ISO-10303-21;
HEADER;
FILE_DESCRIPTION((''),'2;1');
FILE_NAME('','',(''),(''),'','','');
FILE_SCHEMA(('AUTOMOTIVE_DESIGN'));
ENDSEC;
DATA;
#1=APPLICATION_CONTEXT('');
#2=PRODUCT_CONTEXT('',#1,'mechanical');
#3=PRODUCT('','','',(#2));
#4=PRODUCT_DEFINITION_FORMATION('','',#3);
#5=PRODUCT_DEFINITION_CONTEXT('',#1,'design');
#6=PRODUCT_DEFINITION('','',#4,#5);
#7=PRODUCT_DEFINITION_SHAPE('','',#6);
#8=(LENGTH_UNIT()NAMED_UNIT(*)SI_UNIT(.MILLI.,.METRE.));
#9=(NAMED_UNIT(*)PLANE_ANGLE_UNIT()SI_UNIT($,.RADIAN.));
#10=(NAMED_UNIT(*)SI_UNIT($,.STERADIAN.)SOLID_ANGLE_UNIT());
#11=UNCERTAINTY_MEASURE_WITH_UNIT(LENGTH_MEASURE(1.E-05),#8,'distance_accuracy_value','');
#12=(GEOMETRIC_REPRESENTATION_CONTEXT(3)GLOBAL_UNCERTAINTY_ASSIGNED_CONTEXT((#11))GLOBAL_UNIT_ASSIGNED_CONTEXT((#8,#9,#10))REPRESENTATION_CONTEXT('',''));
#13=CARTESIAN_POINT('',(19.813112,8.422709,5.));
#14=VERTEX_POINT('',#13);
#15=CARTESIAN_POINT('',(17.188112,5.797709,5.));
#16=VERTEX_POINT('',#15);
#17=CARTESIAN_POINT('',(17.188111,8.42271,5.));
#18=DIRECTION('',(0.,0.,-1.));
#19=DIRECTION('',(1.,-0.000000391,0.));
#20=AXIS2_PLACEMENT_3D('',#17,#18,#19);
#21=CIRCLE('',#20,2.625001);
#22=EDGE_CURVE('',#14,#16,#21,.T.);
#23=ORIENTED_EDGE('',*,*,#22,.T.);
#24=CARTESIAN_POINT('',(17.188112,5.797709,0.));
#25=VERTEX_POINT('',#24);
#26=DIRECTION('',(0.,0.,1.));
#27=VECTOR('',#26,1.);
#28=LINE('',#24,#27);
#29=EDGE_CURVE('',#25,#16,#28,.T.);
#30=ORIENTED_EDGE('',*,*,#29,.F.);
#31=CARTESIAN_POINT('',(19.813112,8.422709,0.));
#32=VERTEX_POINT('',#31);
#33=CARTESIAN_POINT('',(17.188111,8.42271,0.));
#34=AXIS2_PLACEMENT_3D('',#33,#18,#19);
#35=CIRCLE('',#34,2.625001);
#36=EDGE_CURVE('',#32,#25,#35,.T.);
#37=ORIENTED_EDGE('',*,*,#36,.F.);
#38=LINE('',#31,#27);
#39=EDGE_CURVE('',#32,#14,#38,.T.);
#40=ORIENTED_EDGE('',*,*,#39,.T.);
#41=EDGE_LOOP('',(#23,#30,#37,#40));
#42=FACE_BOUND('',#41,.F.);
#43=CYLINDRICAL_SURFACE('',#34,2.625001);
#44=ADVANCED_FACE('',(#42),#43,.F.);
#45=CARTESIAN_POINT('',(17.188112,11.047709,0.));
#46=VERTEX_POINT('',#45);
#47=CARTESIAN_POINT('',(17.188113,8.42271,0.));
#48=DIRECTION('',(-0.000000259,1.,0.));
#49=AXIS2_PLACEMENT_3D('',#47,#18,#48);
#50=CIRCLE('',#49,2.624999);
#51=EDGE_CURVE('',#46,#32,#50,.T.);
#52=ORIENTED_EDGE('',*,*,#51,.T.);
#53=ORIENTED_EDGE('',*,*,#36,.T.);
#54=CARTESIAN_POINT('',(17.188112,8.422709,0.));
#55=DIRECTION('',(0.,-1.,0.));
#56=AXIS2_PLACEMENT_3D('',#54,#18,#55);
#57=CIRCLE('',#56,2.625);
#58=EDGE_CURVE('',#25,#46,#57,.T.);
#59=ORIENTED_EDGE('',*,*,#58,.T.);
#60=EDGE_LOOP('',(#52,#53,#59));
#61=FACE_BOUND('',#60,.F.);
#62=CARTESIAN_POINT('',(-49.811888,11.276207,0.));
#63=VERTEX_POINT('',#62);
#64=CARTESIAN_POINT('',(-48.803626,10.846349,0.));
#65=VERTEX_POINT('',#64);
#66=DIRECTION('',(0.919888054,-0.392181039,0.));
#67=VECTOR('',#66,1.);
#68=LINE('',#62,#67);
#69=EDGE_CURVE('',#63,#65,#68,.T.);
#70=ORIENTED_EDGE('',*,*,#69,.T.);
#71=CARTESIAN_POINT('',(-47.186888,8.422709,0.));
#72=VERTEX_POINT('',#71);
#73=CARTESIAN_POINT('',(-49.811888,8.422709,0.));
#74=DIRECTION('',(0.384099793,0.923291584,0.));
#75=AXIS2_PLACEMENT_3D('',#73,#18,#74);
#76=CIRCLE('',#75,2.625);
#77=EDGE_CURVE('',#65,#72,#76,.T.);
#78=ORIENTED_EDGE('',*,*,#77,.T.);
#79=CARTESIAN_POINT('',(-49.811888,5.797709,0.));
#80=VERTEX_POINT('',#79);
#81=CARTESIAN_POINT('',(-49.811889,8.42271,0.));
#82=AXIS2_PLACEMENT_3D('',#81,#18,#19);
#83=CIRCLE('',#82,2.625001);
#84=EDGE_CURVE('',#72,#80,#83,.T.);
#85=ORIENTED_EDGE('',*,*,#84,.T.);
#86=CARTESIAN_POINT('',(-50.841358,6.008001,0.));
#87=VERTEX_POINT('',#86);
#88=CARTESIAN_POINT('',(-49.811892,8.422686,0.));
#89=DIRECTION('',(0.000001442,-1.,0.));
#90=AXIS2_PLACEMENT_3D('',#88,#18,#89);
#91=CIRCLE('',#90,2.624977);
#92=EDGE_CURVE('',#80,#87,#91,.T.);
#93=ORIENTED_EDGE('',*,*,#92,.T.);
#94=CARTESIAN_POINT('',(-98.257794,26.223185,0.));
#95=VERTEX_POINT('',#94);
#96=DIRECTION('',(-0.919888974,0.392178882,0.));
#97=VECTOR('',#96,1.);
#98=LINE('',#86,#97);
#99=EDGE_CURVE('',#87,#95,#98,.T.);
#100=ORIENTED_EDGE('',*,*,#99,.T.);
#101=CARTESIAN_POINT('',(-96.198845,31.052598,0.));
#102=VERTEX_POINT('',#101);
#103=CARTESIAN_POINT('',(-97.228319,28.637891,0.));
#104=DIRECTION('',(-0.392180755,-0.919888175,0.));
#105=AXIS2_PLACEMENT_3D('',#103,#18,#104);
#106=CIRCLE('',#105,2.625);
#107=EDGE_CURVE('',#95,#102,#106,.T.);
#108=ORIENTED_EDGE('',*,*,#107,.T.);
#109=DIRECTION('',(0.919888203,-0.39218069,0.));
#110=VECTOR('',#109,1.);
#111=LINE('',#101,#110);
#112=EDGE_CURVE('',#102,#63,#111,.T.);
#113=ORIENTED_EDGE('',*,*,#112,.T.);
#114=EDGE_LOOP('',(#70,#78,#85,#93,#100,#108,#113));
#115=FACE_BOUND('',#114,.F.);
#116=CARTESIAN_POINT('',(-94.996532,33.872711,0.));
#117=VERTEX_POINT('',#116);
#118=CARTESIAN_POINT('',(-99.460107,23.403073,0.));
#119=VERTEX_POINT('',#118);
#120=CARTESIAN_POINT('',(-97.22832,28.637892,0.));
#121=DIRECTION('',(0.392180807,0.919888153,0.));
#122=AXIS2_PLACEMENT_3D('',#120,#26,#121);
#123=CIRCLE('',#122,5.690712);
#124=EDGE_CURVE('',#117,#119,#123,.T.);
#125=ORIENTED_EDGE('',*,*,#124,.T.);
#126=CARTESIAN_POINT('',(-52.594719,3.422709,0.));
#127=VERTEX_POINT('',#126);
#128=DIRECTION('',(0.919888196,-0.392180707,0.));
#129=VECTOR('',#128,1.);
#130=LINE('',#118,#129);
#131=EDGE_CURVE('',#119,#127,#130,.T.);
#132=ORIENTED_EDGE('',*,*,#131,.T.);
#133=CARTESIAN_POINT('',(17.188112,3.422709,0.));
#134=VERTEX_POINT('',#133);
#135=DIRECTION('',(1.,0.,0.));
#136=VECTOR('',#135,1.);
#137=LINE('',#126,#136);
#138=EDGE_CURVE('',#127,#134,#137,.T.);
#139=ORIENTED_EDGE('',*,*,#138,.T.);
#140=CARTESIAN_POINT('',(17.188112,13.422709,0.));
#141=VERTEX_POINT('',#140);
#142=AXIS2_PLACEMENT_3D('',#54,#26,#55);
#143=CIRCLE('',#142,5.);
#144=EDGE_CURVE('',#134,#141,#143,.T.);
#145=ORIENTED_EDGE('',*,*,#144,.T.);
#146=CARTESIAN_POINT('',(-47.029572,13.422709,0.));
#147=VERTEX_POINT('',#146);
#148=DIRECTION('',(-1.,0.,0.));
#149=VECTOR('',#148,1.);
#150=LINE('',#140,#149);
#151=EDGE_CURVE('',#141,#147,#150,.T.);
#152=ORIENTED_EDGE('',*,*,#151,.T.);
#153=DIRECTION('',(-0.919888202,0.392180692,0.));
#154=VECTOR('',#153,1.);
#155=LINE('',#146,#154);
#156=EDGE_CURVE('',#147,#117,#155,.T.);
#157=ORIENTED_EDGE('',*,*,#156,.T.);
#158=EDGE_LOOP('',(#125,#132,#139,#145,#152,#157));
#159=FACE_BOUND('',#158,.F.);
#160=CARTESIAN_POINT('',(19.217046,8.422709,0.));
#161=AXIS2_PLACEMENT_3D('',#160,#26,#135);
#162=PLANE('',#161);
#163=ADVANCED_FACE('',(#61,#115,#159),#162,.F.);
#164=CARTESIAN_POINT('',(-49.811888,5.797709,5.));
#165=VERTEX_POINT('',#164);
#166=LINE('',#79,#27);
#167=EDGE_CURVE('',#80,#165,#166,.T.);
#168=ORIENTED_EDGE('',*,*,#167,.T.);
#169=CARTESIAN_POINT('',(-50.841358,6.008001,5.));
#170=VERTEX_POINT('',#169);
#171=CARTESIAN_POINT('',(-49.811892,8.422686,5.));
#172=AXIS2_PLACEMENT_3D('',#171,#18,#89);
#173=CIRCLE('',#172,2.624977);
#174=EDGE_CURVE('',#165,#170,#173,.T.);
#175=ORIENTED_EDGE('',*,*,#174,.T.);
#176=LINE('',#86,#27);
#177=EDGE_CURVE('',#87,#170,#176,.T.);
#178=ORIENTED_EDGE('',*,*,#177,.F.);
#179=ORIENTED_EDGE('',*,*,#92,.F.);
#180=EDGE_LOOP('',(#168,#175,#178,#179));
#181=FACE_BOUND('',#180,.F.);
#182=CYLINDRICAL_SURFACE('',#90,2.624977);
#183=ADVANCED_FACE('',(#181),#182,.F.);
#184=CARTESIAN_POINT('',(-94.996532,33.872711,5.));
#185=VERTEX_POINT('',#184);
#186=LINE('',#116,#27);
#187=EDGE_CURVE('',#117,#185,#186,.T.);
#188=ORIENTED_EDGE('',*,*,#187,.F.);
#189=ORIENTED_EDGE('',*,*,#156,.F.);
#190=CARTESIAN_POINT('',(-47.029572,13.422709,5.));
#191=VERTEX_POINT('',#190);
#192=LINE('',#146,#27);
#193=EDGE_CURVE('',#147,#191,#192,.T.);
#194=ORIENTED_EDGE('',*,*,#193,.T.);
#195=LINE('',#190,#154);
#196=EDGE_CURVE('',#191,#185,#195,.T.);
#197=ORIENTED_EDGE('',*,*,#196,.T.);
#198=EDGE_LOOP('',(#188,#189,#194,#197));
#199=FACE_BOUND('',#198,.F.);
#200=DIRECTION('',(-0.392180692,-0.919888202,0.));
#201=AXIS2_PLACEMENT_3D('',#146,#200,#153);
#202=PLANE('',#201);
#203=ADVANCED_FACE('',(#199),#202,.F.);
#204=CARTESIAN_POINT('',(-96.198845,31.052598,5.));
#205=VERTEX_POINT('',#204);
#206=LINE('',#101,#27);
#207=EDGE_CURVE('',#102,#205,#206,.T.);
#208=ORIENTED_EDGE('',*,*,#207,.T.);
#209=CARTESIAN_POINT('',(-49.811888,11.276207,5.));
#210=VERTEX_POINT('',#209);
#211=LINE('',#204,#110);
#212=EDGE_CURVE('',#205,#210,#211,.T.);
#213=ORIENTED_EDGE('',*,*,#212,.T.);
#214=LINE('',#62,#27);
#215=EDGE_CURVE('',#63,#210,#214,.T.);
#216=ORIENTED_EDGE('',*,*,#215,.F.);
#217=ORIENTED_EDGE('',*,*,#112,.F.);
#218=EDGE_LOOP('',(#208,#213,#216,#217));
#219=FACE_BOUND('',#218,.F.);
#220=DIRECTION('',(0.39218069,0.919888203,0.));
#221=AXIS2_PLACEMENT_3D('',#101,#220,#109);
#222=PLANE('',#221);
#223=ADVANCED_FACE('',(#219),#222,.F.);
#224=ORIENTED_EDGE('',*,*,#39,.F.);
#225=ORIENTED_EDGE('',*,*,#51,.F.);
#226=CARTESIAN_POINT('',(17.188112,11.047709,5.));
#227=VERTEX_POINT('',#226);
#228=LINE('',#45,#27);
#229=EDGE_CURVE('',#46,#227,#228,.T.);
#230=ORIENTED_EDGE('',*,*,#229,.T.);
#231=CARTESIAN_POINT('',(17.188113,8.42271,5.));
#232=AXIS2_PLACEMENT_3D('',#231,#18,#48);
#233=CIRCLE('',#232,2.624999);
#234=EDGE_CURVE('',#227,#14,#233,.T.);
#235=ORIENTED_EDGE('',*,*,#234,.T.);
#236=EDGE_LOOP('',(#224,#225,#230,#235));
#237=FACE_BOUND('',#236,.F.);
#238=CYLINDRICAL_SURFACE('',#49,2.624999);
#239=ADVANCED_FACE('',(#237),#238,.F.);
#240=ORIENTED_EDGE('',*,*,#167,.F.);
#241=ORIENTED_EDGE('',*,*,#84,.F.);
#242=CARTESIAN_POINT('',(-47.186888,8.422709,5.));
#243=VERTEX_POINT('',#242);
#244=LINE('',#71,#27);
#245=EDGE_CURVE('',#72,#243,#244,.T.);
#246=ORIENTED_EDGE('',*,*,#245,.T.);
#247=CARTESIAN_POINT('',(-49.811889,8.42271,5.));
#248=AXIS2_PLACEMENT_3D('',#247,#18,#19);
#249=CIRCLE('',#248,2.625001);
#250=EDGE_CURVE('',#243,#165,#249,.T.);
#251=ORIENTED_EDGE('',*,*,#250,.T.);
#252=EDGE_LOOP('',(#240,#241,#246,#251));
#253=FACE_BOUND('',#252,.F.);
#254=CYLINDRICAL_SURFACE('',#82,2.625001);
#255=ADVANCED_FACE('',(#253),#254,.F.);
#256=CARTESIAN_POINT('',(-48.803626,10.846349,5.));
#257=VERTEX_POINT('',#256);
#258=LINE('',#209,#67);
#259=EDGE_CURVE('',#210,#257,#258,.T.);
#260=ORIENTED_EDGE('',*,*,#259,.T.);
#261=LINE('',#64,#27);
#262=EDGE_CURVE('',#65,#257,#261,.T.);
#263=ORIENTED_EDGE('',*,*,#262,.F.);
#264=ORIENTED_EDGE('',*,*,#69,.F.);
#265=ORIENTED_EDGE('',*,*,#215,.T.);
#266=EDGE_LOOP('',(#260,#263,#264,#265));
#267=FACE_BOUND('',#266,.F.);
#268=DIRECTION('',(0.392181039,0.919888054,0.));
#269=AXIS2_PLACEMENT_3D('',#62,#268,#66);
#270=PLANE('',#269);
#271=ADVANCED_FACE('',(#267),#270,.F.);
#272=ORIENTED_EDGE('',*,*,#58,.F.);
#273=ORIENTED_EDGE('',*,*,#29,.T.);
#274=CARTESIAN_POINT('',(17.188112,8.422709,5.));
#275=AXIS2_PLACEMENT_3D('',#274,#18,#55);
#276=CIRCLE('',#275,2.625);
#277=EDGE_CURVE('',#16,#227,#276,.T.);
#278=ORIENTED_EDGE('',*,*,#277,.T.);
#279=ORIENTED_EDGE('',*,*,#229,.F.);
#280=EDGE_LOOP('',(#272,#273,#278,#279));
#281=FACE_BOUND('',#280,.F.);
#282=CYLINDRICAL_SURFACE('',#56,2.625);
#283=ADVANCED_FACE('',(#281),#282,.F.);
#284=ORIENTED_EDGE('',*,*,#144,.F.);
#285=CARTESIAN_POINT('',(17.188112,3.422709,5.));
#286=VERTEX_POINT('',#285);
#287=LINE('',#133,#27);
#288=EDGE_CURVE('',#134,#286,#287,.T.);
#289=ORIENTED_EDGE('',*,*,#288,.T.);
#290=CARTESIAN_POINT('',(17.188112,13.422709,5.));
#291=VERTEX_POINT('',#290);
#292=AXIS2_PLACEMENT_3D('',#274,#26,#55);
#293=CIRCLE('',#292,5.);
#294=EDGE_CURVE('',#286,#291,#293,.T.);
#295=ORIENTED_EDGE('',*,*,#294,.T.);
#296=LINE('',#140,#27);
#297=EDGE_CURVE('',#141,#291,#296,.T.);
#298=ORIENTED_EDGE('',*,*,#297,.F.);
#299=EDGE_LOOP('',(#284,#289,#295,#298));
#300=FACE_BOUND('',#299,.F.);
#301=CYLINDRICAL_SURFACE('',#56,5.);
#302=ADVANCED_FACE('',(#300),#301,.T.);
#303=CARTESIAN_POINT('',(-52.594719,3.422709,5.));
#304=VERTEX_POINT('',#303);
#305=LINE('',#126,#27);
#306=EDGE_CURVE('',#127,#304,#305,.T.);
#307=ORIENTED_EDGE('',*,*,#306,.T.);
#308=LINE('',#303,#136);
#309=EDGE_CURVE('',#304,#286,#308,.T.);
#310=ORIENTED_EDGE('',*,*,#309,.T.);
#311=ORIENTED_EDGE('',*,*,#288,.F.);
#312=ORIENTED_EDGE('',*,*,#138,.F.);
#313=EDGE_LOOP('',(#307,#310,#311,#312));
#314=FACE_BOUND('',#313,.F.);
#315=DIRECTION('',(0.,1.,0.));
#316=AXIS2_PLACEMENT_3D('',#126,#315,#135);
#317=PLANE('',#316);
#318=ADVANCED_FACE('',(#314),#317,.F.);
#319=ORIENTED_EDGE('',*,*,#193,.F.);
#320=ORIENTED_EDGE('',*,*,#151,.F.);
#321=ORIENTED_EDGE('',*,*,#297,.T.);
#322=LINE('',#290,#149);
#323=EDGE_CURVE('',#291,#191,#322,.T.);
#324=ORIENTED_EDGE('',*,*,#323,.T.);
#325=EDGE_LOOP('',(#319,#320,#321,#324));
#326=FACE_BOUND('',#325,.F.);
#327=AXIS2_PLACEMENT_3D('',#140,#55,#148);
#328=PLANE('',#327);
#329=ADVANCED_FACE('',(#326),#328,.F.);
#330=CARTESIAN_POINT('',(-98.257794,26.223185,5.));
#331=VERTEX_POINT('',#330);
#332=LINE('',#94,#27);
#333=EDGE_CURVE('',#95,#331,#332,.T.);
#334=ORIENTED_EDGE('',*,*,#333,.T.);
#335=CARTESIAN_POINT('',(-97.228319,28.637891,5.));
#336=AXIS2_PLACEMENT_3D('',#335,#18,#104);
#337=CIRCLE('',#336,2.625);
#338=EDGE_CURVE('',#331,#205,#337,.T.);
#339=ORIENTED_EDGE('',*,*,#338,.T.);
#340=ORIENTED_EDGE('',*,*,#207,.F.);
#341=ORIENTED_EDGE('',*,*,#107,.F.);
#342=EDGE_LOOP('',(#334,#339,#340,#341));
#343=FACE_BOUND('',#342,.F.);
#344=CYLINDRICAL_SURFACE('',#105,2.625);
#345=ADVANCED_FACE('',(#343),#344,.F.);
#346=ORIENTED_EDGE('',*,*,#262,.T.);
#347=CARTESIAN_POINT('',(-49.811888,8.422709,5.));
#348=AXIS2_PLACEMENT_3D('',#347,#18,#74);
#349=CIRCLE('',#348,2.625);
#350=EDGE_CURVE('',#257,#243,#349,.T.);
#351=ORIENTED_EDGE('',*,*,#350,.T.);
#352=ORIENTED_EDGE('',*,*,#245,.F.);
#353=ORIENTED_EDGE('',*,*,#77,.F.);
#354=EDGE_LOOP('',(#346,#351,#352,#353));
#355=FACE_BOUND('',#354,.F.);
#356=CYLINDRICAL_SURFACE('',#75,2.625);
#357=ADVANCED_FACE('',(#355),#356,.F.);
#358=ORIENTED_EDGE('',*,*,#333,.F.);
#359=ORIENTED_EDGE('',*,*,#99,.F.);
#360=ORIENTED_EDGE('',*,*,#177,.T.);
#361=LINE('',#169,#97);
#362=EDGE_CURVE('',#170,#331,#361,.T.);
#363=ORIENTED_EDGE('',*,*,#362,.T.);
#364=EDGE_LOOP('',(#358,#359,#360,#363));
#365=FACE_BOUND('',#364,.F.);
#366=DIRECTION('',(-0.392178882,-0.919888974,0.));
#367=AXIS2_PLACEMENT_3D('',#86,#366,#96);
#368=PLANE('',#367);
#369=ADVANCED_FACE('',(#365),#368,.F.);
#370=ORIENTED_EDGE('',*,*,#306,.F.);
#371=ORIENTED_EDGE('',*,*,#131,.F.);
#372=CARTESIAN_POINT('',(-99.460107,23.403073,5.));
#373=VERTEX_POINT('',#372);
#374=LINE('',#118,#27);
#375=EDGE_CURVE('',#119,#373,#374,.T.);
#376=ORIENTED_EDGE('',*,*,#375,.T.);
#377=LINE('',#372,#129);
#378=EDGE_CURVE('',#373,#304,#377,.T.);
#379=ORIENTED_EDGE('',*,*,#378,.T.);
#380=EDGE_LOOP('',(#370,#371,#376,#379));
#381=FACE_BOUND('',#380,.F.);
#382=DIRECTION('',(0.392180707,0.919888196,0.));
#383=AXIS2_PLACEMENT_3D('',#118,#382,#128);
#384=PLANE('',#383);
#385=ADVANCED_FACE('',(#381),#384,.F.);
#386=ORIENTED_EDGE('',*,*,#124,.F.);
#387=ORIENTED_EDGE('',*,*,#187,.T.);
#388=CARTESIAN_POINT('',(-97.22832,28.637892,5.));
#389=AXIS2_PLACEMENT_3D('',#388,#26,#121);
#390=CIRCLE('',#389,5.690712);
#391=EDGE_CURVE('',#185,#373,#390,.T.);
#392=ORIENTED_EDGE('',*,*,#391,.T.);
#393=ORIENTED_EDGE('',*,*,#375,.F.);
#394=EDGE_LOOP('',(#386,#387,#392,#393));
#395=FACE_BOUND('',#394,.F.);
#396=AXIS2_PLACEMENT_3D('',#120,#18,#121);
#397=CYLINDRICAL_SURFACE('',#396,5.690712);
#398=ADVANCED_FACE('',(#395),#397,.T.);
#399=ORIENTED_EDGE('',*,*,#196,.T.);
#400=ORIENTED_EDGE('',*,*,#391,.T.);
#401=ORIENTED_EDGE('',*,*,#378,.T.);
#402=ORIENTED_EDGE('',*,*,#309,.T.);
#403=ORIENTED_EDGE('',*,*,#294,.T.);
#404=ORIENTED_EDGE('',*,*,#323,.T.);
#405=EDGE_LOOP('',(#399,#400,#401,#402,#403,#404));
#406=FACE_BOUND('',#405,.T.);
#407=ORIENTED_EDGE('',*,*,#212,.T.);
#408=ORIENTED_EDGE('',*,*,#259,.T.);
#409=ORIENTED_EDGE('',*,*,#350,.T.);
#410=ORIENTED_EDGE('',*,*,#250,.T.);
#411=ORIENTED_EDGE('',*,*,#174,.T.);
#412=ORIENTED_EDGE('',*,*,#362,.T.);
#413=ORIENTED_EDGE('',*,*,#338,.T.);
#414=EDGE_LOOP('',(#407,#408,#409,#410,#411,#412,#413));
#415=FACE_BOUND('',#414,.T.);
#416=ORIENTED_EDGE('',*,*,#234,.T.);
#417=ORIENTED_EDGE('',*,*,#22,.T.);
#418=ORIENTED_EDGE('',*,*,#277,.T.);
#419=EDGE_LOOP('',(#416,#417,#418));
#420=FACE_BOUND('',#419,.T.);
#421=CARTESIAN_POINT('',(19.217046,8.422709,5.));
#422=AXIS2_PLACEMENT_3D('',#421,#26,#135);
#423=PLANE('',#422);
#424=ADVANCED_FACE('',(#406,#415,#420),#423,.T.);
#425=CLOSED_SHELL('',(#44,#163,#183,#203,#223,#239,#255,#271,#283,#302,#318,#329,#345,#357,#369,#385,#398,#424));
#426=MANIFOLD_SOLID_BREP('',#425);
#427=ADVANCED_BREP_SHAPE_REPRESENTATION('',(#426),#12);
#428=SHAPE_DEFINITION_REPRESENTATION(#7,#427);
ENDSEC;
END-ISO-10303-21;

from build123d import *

# Parameters (mm, degrees)
F1_DEPTH = 5


with BuildPart() as f1:
    # F0 (on Top) → F1 (new body)
    with BuildSketch(Plane.XY):
        with BuildLine():
            Line((17.188112, 5.797709), (17.188112, 3.422709))
            ThreePointArc((17.188112, 3.422709), (22.188112, 8.422709), (17.188112, 13.422709))
            Line((17.188112, 13.422709), (17.188112, 11.047709))
            ThreePointArc((17.188112, 11.047709), (19.044267, 10.278865), (19.813112, 8.422709))
            ThreePointArc((19.813112, 8.422709), (19.044267, 6.566554), (17.188112, 5.797709))
        make_face()
        with BuildLine():
            Line((-49.811888, 5.797709), (-49.811888, 3.422709))
            Line((-49.811888, 3.422709), (17.188112, 3.422709))
            Line((17.188112, 3.422709), (17.188112, 5.797709))
            ThreePointArc((17.188112, 5.797709), (14.563112, 8.422709), (17.188112, 11.047709))
            Line((17.188112, 11.047709), (17.188112, 13.422709))
            Line((17.188112, 13.422709), (-47.029572, 13.422709))
            Line((-47.029572, 13.422709), (-49.811888, 13.422709))
            Line((-49.811888, 13.422709), (-49.811888, 11.276207))
            Line((-49.811888, 11.276207), (-48.803626, 10.846349))
            ThreePointArc((-48.803626, 10.846349), (-47.628163, 9.879407), (-47.186888, 8.422709))
            ThreePointArc((-47.186888, 8.422709), (-47.955733, 6.566554), (-49.811888, 5.797709))
        make_face()
        Polygon((-49.811888, 13.422709), (-47.029572, 13.422709), (-94.996532, 33.872711), (-96.198845, 31.052598), (-49.811888, 11.276207), align=None)
        with BuildLine():
            Line((-52.594719, 3.422709), (-49.811888, 3.422709))
            Line((-49.811888, 3.422709), (-49.811888, 5.797709))
            ThreePointArc((-49.811888, 5.797709), (-50.337253, 5.850819), (-50.841358, 6.008001))
            Line((-50.841358, 6.008001), (-98.257794, 26.223185))
            Line((-98.257794, 26.223185), (-99.460107, 23.403073))
            Line((-99.460107, 23.403073), (-52.594719, 3.422709))
        make_face()
        with BuildLine():
            ThreePointArc((-94.996532, 33.872711), (-102.463139, 30.86968), (-99.460107, 23.403073))
            Line((-99.460107, 23.403073), (-98.257794, 26.223185))
            ThreePointArc((-98.257794, 26.223185), (-99.643026, 29.667366), (-96.198845, 31.052598))
            Line((-96.198845, 31.052598), (-94.996532, 33.872711))
        make_face()
    extrude(amount=F1_DEPTH)


solid = f1.part
